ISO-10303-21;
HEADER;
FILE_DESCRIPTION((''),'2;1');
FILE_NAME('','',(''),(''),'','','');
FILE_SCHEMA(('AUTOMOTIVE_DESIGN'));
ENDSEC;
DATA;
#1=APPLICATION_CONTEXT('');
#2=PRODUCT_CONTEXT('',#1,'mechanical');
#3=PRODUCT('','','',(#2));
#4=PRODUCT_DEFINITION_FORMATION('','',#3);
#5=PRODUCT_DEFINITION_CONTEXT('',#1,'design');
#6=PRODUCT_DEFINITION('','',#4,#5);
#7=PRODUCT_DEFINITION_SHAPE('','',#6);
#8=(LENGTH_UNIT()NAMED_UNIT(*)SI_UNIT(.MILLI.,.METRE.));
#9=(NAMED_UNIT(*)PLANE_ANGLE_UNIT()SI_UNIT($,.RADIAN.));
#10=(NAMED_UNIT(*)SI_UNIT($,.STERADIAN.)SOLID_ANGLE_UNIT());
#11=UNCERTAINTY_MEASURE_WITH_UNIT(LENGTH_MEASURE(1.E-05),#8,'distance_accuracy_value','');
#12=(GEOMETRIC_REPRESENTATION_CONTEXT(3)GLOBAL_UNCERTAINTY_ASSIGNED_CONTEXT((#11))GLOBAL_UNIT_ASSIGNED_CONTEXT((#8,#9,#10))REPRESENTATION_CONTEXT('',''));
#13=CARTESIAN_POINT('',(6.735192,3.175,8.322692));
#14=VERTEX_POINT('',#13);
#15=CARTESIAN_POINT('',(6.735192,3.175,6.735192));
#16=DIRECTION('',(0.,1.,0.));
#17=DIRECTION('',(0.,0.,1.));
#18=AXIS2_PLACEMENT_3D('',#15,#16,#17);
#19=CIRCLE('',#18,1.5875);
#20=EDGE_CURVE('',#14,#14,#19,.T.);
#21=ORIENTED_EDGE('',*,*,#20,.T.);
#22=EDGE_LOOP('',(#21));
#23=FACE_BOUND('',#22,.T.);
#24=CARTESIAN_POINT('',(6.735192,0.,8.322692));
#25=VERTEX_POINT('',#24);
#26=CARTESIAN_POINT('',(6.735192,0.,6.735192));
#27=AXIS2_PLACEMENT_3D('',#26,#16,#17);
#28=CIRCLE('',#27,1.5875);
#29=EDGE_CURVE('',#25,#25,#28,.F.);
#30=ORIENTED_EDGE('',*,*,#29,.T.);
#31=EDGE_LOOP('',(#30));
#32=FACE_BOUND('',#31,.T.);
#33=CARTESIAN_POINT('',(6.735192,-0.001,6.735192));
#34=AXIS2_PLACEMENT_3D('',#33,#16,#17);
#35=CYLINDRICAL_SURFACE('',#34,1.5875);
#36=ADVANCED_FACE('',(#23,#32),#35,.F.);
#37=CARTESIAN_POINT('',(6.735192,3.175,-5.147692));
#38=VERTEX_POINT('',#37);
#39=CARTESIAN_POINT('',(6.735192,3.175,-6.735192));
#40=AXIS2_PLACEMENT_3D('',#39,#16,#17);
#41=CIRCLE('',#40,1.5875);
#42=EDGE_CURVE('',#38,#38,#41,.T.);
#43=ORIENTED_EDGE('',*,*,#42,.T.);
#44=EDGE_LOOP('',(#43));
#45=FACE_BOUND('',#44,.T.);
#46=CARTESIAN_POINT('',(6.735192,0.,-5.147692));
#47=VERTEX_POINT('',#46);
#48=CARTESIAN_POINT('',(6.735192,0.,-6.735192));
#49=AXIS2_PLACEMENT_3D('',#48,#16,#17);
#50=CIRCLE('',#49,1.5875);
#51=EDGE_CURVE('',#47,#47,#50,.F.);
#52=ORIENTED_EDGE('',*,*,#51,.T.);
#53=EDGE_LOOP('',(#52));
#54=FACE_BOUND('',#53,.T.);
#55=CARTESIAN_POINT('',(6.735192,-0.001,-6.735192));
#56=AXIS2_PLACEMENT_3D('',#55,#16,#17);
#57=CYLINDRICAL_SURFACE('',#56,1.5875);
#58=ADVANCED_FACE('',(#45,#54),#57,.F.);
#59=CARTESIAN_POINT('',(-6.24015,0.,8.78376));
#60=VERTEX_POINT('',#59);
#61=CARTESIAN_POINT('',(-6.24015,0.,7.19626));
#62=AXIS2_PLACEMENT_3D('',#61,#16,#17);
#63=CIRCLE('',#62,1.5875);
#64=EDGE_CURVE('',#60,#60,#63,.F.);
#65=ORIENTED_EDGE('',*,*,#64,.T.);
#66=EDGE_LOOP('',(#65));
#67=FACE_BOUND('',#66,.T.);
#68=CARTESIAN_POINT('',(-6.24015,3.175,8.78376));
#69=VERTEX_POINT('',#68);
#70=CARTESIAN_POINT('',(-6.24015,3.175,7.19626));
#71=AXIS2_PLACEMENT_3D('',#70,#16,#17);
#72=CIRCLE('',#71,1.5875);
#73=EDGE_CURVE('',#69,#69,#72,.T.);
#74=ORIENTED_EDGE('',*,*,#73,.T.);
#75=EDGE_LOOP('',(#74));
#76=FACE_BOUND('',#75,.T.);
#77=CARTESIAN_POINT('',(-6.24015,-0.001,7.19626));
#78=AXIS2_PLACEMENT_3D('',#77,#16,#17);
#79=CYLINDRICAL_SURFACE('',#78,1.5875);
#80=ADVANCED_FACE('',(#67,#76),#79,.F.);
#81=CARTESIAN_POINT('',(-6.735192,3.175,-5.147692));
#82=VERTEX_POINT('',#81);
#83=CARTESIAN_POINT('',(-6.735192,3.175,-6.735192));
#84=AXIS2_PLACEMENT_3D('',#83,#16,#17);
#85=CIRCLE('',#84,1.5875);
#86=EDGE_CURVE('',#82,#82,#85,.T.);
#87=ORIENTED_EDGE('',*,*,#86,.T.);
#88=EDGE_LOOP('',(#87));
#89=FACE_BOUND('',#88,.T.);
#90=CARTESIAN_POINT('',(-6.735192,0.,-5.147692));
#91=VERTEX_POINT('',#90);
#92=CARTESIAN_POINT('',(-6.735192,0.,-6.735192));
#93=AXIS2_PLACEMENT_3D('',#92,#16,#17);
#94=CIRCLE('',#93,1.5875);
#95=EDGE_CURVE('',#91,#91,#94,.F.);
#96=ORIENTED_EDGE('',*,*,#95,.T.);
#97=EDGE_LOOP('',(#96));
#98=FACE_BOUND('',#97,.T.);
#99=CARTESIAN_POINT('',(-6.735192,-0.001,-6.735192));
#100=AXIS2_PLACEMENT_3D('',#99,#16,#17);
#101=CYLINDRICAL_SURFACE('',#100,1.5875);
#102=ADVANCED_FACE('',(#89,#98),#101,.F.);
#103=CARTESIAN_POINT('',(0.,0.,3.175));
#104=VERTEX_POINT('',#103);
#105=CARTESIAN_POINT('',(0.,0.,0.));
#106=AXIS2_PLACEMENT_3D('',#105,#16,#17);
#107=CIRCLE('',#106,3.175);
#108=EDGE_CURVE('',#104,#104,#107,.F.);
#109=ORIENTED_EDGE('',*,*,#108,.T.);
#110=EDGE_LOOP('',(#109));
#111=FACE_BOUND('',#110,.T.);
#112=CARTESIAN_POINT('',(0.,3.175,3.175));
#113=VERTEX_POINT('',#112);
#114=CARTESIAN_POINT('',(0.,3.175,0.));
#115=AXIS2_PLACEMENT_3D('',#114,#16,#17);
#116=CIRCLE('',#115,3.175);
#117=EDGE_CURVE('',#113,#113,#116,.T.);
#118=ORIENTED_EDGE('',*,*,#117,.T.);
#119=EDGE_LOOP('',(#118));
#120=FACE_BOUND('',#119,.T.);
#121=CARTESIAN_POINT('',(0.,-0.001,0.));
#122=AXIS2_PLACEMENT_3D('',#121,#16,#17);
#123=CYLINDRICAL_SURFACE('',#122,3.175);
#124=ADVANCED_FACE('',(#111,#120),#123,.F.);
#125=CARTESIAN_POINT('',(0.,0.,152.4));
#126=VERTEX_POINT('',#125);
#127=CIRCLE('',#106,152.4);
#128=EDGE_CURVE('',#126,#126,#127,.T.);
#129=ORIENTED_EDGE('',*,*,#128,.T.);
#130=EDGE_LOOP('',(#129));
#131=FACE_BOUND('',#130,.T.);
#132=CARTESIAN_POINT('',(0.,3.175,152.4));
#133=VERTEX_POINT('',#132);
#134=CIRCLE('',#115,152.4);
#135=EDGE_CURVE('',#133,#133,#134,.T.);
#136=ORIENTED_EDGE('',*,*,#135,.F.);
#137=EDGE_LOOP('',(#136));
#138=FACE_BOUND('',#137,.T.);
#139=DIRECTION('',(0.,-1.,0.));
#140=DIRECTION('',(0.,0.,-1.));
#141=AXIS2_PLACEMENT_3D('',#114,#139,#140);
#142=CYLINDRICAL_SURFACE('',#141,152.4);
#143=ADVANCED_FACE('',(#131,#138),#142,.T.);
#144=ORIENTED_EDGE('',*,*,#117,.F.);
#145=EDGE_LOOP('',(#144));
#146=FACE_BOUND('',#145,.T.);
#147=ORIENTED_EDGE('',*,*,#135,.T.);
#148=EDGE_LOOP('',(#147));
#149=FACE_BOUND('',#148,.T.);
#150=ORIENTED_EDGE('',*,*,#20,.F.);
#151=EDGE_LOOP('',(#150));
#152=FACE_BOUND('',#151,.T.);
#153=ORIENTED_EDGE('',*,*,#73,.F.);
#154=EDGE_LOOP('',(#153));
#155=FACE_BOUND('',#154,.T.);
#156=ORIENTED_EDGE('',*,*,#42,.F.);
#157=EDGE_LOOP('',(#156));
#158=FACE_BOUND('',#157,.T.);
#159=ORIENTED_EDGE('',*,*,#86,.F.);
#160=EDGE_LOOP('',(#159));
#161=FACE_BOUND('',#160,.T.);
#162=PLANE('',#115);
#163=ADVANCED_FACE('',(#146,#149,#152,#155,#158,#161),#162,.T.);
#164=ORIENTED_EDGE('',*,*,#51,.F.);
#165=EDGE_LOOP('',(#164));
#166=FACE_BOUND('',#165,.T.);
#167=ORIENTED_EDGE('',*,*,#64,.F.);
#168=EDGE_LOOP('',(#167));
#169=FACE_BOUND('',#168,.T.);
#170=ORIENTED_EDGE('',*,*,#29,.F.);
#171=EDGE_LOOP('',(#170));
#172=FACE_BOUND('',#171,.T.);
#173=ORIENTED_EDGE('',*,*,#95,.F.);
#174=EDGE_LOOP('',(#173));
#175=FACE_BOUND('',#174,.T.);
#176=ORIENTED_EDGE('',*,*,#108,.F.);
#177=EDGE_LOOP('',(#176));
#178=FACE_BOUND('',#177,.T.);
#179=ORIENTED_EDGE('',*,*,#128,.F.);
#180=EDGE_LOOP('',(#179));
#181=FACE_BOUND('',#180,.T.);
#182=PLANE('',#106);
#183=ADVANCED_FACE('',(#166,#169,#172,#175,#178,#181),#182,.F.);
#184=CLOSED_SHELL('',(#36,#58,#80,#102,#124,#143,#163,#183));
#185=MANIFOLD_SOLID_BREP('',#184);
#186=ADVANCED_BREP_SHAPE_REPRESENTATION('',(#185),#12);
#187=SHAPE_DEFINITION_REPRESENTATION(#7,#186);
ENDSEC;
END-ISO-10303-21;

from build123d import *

# Parameters (mm, degrees)
SKETCH1_R           = 152.4
BOSS_EXTRUDE1_DEPTH = 3.175
CUT_EXTRUDE1_REACH  = 5.175
SKETCH2_R           = 3.175
SKETCH2_R_2         = 1.5875


with BuildPart() as part:
    # Sketch1 → Boss-Extrude1 (new body)
    with BuildSketch(Plane(origin=(0, 0, 0), x_dir=(1, 0, 0), z_dir=(0, 1, 0))):
        Circle(SKETCH1_R)
    extrude(amount=BOSS_EXTRUDE1_DEPTH)

    # Sketch2 → Cut-Extrude1 (cut, up to next)
    with BuildSketch(Plane(origin=(0, 3.175, 0), x_dir=(1, 0, 0), z_dir=(0, 1, 0)), mode=Mode.PRIVATE) as cut_extrude1_sk1:
        Circle(SKETCH2_R)
    cut_extrude1_tool1 = extrude(cut_extrude1_sk1.sketch, amount=-CUT_EXTRUDE1_REACH, mode=Mode.PRIVATE) & part.part
    add(cut_extrude1_tool1.solids().sort_by_distance((0, 3.175, 0))[0], mode=Mode.SUBTRACT)
    # Sketch2 → Cut-Extrude1 (cut, up to next)
    with BuildSketch(Plane(origin=(0, 3.175, 0), x_dir=(1, 0, 0), z_dir=(0, 1, 0)), mode=Mode.PRIVATE) as cut_extrude1_sk2:
        with Locations((6.735192091, 6.735192091)):
            Circle(SKETCH2_R_2)
    cut_extrude1_tool2 = extrude(cut_extrude1_sk2.sketch, amount=-CUT_EXTRUDE1_REACH, mode=Mode.PRIVATE) & part.part
    add(cut_extrude1_tool2.solids().sort_by_distance((6.735192, 3.175, -6.735192))[0], mode=Mode.SUBTRACT)
    # Sketch2 → Cut-Extrude1 (cut, up to next)
    with BuildSketch(Plane(origin=(0, 3.175, 0), x_dir=(1, 0, 0), z_dir=(0, 1, 0)), mode=Mode.PRIVATE) as cut_extrude1_sk3:
        with Locations((-6.735192091, 6.735192091)):
            Circle(SKETCH2_R_2)
    cut_extrude1_tool3 = extrude(cut_extrude1_sk3.sketch, amount=-CUT_EXTRUDE1_REACH, mode=Mode.PRIVATE) & part.part
    add(cut_extrude1_tool3.solids().sort_by_distance((-6.735192, 3.175, -6.735192))[0], mode=Mode.SUBTRACT)
    # Sketch2 → Cut-Extrude1 (cut, up to next)
    with BuildSketch(Plane(origin=(0, 3.175, 0), x_dir=(1, 0, 0), z_dir=(0, 1, 0)), mode=Mode.PRIVATE) as cut_extrude1_sk4:
        with Locations((-6.240150163, -7.19625951)):
            Circle(SKETCH2_R_2)
    cut_extrude1_tool4 = extrude(cut_extrude1_sk4.sketch, amount=-CUT_EXTRUDE1_REACH, mode=Mode.PRIVATE) & part.part
    add(cut_extrude1_tool4.solids().sort_by_distance((-6.24015, 3.175, 7.19626))[0], mode=Mode.SUBTRACT)
    # Sketch2 → Cut-Extrude1 (cut, up to next)
    with BuildSketch(Plane(origin=(0, 3.175, 0), x_dir=(1, 0, 0), z_dir=(0, 1, 0)), mode=Mode.PRIVATE) as cut_extrude1_sk5:
        with Locations((6.735192091, -6.735192091)):
            Circle(SKETCH2_R_2)
    cut_extrude1_tool5 = extrude(cut_extrude1_sk5.sketch, amount=-CUT_EXTRUDE1_REACH, mode=Mode.PRIVATE) & part.part
    add(cut_extrude1_tool5.solids().sort_by_distance((6.735192, 3.175, 6.735192))[0], mode=Mode.SUBTRACT)


solid = part.part
